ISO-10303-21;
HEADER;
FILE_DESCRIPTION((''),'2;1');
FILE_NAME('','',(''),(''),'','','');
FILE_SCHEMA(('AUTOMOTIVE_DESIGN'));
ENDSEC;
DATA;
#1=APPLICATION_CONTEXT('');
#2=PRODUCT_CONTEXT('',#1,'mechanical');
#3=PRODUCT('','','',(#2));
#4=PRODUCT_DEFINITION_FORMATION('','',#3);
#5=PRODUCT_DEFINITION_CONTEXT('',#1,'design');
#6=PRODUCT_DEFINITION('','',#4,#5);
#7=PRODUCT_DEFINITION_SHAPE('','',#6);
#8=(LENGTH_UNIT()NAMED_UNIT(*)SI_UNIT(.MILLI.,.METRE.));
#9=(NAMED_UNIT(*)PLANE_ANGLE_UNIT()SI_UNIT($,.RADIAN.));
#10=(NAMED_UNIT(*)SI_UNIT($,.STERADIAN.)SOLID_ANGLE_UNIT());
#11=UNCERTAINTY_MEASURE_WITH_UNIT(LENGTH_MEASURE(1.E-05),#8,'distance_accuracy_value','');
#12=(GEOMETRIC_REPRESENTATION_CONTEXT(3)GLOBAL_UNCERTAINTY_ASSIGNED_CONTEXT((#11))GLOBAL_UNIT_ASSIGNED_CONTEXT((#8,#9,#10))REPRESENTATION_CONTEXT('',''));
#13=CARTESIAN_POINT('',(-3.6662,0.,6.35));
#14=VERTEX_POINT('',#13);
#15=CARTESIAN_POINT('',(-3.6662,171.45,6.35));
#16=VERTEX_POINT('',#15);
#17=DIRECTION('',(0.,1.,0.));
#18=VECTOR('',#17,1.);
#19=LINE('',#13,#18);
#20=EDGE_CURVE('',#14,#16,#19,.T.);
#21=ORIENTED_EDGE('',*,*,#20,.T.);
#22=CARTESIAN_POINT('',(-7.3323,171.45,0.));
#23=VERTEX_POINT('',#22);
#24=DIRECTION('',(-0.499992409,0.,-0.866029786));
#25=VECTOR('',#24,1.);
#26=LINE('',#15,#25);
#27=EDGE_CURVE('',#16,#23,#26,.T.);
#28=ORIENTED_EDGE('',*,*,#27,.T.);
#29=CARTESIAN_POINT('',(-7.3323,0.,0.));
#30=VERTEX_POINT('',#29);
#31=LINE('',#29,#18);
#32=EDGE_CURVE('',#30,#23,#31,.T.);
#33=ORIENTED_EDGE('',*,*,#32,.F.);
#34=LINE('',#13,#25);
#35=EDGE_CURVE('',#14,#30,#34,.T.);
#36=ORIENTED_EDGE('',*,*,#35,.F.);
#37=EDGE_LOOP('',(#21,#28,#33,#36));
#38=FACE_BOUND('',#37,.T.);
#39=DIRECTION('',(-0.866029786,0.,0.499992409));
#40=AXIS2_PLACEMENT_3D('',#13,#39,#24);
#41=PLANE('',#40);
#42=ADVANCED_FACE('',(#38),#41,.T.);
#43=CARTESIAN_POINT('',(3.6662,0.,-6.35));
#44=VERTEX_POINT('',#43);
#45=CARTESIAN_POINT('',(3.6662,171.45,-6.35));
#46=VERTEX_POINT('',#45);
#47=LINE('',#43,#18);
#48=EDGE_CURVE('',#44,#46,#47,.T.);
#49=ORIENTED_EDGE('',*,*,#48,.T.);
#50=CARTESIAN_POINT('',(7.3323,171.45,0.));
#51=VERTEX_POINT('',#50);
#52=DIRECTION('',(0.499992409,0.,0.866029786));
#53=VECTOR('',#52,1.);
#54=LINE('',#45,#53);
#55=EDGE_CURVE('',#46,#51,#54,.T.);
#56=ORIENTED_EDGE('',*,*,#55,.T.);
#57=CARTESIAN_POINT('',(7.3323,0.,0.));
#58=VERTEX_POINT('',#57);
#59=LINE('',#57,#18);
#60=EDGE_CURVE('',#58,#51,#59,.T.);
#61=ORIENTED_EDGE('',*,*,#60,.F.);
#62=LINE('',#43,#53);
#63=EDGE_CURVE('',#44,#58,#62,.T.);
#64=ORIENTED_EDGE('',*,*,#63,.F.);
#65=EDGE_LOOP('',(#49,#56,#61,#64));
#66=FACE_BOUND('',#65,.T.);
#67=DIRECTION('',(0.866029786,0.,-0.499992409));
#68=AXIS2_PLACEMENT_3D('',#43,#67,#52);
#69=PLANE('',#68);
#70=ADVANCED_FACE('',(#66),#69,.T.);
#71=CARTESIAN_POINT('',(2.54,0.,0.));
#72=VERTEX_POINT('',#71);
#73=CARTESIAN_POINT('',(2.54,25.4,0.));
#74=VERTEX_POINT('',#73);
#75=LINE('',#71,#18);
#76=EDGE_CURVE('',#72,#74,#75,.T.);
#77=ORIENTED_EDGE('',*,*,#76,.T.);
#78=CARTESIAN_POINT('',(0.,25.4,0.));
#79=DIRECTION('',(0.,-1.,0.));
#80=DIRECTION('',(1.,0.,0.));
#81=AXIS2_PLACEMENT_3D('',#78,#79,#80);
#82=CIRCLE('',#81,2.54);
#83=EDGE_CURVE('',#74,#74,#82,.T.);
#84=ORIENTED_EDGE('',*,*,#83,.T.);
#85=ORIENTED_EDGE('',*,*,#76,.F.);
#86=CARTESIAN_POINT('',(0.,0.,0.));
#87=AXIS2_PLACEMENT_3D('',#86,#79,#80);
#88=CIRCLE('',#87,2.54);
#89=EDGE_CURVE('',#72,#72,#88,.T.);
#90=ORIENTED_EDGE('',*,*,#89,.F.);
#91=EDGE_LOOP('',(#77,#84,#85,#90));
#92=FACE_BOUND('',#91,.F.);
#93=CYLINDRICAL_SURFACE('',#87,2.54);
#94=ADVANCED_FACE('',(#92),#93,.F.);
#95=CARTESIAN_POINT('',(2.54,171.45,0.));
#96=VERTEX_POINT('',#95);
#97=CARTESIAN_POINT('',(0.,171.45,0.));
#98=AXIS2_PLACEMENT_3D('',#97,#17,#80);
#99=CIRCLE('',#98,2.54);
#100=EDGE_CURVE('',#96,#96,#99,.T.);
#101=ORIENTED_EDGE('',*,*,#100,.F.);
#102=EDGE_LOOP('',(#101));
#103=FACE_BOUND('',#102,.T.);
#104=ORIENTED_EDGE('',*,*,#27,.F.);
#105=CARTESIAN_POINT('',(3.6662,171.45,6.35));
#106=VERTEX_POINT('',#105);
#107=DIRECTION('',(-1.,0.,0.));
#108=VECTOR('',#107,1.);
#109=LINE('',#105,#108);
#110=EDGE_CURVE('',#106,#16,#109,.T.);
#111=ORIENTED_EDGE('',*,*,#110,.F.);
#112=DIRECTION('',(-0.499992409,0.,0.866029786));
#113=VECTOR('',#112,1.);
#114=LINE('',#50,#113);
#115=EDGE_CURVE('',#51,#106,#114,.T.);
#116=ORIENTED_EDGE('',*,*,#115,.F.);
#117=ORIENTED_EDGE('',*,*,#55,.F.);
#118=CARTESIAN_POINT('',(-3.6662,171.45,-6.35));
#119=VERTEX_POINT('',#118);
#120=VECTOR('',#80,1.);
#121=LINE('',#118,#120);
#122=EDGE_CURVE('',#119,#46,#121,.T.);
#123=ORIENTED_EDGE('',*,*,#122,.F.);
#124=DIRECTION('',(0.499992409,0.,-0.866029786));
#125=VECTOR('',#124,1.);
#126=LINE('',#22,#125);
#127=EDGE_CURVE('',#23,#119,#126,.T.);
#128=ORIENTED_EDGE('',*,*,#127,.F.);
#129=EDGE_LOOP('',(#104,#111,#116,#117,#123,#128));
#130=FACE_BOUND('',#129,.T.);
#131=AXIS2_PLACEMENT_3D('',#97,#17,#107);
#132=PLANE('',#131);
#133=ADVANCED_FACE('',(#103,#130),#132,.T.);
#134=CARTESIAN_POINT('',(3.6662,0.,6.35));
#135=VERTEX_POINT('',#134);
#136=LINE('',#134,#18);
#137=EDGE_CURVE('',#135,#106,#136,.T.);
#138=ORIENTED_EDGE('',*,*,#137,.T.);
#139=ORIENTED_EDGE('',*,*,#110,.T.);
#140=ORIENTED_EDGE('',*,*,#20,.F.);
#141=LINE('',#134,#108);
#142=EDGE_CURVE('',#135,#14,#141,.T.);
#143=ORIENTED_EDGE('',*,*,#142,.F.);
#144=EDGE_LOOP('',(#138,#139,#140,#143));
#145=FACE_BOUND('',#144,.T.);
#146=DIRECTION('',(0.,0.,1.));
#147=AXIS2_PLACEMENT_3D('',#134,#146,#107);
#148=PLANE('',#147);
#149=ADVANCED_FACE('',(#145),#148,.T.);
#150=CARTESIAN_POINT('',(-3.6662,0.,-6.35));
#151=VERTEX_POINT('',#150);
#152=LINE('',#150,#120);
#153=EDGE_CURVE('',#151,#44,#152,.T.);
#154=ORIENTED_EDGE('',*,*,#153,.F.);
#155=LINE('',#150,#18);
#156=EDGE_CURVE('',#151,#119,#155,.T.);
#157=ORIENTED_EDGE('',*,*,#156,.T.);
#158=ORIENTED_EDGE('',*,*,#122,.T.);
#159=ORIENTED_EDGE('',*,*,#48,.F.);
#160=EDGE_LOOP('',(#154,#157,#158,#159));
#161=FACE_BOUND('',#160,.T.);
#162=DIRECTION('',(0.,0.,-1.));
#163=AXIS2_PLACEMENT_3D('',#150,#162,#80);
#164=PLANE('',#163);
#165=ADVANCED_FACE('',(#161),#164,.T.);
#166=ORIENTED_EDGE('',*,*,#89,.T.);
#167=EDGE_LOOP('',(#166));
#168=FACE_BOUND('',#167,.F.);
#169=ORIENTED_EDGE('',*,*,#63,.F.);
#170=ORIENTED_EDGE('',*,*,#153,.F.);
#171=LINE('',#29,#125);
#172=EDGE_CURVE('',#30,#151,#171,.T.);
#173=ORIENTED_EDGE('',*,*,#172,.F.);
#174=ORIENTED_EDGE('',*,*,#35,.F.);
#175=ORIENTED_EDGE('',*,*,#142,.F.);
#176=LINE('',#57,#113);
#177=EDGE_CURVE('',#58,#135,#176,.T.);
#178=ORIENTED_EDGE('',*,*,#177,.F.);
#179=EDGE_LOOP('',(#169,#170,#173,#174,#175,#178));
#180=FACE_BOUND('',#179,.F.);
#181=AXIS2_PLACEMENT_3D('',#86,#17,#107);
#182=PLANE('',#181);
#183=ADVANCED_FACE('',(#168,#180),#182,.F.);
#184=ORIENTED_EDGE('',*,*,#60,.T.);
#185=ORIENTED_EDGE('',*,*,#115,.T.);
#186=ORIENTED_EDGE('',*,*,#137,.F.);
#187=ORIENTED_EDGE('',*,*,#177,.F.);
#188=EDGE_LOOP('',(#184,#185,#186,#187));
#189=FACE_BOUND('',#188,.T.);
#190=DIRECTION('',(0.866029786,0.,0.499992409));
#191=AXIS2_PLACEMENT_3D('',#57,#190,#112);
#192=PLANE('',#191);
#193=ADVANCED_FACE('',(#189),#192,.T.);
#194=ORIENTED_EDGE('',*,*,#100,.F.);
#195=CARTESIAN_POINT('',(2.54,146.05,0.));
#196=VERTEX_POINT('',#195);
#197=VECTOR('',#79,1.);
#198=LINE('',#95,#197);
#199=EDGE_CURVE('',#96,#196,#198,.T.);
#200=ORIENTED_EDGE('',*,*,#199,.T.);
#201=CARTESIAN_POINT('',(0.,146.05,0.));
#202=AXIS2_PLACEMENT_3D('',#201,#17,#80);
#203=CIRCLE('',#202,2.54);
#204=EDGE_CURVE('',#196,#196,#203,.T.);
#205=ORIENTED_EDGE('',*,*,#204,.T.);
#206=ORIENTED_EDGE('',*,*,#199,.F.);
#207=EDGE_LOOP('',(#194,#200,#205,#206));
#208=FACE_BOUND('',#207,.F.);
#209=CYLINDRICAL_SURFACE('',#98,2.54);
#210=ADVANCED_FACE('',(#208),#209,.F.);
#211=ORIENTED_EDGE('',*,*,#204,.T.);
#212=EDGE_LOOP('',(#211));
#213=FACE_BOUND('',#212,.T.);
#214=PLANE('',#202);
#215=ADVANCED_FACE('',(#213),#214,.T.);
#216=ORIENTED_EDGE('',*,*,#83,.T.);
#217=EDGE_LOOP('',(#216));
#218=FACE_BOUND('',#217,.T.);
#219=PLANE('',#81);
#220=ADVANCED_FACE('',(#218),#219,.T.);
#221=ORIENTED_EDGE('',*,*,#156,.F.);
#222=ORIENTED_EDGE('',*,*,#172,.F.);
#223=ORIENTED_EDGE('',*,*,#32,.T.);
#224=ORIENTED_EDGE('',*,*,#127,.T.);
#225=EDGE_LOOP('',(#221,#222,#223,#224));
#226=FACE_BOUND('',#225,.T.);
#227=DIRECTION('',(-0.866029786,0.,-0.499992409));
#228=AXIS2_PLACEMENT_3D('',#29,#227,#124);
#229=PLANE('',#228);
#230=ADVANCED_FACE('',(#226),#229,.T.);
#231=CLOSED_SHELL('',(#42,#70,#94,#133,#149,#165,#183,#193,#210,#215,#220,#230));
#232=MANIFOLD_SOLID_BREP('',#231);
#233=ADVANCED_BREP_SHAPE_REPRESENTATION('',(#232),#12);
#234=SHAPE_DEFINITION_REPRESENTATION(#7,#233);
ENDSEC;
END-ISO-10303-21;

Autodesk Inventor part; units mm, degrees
ref_plane "YZ Plane" through (0, 0, 0) normal (1, 0, 0) x (0, 1, 0)
ref_plane "XZ Plane" through (0, 0, 0) normal (0, 1, 0) x (-1, 0, 0)
ref_plane "XY Plane" through (0, 0, 0) normal (0, 0, 1) x (1, 0, 0)
sketch "Sketch1" plane through (0, 0, 0) normal (0, 1, 0) x (-1, 0, 0)
  line L0 (-3.6662, 6.35) -> (3.6662, 6.35)
  line L1 (3.6662, 6.35) -> (7.3323, 0)
  line L2 (7.3323, 0) -> (3.6662, -6.35)
  line L3 (3.6662, -6.35) -> (-3.6662, -6.35)
  line L4 (-3.6662, -6.35) -> (-7.3323, 0)
  line L5 (-7.3323, 0) -> (-3.6662, 6.35)
  point P0 (0, 0)
  point P1 (0, 0)
  dimension "d0" = 12.7
extrude "Extrusion1" add sketch "Sketch1" along normal blind 171.45
sketch "Sketch2" plane through (0, 171.45, 0) normal (0, 1, 0) x (1, 0, 0)
  circle A0 centre (0, 0) radius 2.54
  dimension "d3" = 5.08
extrude "Extrusion2" cut sketch "Sketch2" against normal blind 25.4
thread "Thread1" size "1/4-20 UNC" class "2B" standard "ANSI Unified Screw Threads" full length
sketch "Sketch3" plane through (0, 0, 0) normal (0, -1, 0) x (1, 0, 0)
  circle A0 centre (0, 0) radius 2.54
  dimension "d8" = 5.08
extrude "Extrusion3" cut sketch "Sketch3" against normal blind 25.4
thread "Thread2" size "1/4-20 UNC" class "2B" standard "ANSI Unified Screw Threads" full length
properties part number "OUTK_013_Shaft1" material "Aluminum 6061"
